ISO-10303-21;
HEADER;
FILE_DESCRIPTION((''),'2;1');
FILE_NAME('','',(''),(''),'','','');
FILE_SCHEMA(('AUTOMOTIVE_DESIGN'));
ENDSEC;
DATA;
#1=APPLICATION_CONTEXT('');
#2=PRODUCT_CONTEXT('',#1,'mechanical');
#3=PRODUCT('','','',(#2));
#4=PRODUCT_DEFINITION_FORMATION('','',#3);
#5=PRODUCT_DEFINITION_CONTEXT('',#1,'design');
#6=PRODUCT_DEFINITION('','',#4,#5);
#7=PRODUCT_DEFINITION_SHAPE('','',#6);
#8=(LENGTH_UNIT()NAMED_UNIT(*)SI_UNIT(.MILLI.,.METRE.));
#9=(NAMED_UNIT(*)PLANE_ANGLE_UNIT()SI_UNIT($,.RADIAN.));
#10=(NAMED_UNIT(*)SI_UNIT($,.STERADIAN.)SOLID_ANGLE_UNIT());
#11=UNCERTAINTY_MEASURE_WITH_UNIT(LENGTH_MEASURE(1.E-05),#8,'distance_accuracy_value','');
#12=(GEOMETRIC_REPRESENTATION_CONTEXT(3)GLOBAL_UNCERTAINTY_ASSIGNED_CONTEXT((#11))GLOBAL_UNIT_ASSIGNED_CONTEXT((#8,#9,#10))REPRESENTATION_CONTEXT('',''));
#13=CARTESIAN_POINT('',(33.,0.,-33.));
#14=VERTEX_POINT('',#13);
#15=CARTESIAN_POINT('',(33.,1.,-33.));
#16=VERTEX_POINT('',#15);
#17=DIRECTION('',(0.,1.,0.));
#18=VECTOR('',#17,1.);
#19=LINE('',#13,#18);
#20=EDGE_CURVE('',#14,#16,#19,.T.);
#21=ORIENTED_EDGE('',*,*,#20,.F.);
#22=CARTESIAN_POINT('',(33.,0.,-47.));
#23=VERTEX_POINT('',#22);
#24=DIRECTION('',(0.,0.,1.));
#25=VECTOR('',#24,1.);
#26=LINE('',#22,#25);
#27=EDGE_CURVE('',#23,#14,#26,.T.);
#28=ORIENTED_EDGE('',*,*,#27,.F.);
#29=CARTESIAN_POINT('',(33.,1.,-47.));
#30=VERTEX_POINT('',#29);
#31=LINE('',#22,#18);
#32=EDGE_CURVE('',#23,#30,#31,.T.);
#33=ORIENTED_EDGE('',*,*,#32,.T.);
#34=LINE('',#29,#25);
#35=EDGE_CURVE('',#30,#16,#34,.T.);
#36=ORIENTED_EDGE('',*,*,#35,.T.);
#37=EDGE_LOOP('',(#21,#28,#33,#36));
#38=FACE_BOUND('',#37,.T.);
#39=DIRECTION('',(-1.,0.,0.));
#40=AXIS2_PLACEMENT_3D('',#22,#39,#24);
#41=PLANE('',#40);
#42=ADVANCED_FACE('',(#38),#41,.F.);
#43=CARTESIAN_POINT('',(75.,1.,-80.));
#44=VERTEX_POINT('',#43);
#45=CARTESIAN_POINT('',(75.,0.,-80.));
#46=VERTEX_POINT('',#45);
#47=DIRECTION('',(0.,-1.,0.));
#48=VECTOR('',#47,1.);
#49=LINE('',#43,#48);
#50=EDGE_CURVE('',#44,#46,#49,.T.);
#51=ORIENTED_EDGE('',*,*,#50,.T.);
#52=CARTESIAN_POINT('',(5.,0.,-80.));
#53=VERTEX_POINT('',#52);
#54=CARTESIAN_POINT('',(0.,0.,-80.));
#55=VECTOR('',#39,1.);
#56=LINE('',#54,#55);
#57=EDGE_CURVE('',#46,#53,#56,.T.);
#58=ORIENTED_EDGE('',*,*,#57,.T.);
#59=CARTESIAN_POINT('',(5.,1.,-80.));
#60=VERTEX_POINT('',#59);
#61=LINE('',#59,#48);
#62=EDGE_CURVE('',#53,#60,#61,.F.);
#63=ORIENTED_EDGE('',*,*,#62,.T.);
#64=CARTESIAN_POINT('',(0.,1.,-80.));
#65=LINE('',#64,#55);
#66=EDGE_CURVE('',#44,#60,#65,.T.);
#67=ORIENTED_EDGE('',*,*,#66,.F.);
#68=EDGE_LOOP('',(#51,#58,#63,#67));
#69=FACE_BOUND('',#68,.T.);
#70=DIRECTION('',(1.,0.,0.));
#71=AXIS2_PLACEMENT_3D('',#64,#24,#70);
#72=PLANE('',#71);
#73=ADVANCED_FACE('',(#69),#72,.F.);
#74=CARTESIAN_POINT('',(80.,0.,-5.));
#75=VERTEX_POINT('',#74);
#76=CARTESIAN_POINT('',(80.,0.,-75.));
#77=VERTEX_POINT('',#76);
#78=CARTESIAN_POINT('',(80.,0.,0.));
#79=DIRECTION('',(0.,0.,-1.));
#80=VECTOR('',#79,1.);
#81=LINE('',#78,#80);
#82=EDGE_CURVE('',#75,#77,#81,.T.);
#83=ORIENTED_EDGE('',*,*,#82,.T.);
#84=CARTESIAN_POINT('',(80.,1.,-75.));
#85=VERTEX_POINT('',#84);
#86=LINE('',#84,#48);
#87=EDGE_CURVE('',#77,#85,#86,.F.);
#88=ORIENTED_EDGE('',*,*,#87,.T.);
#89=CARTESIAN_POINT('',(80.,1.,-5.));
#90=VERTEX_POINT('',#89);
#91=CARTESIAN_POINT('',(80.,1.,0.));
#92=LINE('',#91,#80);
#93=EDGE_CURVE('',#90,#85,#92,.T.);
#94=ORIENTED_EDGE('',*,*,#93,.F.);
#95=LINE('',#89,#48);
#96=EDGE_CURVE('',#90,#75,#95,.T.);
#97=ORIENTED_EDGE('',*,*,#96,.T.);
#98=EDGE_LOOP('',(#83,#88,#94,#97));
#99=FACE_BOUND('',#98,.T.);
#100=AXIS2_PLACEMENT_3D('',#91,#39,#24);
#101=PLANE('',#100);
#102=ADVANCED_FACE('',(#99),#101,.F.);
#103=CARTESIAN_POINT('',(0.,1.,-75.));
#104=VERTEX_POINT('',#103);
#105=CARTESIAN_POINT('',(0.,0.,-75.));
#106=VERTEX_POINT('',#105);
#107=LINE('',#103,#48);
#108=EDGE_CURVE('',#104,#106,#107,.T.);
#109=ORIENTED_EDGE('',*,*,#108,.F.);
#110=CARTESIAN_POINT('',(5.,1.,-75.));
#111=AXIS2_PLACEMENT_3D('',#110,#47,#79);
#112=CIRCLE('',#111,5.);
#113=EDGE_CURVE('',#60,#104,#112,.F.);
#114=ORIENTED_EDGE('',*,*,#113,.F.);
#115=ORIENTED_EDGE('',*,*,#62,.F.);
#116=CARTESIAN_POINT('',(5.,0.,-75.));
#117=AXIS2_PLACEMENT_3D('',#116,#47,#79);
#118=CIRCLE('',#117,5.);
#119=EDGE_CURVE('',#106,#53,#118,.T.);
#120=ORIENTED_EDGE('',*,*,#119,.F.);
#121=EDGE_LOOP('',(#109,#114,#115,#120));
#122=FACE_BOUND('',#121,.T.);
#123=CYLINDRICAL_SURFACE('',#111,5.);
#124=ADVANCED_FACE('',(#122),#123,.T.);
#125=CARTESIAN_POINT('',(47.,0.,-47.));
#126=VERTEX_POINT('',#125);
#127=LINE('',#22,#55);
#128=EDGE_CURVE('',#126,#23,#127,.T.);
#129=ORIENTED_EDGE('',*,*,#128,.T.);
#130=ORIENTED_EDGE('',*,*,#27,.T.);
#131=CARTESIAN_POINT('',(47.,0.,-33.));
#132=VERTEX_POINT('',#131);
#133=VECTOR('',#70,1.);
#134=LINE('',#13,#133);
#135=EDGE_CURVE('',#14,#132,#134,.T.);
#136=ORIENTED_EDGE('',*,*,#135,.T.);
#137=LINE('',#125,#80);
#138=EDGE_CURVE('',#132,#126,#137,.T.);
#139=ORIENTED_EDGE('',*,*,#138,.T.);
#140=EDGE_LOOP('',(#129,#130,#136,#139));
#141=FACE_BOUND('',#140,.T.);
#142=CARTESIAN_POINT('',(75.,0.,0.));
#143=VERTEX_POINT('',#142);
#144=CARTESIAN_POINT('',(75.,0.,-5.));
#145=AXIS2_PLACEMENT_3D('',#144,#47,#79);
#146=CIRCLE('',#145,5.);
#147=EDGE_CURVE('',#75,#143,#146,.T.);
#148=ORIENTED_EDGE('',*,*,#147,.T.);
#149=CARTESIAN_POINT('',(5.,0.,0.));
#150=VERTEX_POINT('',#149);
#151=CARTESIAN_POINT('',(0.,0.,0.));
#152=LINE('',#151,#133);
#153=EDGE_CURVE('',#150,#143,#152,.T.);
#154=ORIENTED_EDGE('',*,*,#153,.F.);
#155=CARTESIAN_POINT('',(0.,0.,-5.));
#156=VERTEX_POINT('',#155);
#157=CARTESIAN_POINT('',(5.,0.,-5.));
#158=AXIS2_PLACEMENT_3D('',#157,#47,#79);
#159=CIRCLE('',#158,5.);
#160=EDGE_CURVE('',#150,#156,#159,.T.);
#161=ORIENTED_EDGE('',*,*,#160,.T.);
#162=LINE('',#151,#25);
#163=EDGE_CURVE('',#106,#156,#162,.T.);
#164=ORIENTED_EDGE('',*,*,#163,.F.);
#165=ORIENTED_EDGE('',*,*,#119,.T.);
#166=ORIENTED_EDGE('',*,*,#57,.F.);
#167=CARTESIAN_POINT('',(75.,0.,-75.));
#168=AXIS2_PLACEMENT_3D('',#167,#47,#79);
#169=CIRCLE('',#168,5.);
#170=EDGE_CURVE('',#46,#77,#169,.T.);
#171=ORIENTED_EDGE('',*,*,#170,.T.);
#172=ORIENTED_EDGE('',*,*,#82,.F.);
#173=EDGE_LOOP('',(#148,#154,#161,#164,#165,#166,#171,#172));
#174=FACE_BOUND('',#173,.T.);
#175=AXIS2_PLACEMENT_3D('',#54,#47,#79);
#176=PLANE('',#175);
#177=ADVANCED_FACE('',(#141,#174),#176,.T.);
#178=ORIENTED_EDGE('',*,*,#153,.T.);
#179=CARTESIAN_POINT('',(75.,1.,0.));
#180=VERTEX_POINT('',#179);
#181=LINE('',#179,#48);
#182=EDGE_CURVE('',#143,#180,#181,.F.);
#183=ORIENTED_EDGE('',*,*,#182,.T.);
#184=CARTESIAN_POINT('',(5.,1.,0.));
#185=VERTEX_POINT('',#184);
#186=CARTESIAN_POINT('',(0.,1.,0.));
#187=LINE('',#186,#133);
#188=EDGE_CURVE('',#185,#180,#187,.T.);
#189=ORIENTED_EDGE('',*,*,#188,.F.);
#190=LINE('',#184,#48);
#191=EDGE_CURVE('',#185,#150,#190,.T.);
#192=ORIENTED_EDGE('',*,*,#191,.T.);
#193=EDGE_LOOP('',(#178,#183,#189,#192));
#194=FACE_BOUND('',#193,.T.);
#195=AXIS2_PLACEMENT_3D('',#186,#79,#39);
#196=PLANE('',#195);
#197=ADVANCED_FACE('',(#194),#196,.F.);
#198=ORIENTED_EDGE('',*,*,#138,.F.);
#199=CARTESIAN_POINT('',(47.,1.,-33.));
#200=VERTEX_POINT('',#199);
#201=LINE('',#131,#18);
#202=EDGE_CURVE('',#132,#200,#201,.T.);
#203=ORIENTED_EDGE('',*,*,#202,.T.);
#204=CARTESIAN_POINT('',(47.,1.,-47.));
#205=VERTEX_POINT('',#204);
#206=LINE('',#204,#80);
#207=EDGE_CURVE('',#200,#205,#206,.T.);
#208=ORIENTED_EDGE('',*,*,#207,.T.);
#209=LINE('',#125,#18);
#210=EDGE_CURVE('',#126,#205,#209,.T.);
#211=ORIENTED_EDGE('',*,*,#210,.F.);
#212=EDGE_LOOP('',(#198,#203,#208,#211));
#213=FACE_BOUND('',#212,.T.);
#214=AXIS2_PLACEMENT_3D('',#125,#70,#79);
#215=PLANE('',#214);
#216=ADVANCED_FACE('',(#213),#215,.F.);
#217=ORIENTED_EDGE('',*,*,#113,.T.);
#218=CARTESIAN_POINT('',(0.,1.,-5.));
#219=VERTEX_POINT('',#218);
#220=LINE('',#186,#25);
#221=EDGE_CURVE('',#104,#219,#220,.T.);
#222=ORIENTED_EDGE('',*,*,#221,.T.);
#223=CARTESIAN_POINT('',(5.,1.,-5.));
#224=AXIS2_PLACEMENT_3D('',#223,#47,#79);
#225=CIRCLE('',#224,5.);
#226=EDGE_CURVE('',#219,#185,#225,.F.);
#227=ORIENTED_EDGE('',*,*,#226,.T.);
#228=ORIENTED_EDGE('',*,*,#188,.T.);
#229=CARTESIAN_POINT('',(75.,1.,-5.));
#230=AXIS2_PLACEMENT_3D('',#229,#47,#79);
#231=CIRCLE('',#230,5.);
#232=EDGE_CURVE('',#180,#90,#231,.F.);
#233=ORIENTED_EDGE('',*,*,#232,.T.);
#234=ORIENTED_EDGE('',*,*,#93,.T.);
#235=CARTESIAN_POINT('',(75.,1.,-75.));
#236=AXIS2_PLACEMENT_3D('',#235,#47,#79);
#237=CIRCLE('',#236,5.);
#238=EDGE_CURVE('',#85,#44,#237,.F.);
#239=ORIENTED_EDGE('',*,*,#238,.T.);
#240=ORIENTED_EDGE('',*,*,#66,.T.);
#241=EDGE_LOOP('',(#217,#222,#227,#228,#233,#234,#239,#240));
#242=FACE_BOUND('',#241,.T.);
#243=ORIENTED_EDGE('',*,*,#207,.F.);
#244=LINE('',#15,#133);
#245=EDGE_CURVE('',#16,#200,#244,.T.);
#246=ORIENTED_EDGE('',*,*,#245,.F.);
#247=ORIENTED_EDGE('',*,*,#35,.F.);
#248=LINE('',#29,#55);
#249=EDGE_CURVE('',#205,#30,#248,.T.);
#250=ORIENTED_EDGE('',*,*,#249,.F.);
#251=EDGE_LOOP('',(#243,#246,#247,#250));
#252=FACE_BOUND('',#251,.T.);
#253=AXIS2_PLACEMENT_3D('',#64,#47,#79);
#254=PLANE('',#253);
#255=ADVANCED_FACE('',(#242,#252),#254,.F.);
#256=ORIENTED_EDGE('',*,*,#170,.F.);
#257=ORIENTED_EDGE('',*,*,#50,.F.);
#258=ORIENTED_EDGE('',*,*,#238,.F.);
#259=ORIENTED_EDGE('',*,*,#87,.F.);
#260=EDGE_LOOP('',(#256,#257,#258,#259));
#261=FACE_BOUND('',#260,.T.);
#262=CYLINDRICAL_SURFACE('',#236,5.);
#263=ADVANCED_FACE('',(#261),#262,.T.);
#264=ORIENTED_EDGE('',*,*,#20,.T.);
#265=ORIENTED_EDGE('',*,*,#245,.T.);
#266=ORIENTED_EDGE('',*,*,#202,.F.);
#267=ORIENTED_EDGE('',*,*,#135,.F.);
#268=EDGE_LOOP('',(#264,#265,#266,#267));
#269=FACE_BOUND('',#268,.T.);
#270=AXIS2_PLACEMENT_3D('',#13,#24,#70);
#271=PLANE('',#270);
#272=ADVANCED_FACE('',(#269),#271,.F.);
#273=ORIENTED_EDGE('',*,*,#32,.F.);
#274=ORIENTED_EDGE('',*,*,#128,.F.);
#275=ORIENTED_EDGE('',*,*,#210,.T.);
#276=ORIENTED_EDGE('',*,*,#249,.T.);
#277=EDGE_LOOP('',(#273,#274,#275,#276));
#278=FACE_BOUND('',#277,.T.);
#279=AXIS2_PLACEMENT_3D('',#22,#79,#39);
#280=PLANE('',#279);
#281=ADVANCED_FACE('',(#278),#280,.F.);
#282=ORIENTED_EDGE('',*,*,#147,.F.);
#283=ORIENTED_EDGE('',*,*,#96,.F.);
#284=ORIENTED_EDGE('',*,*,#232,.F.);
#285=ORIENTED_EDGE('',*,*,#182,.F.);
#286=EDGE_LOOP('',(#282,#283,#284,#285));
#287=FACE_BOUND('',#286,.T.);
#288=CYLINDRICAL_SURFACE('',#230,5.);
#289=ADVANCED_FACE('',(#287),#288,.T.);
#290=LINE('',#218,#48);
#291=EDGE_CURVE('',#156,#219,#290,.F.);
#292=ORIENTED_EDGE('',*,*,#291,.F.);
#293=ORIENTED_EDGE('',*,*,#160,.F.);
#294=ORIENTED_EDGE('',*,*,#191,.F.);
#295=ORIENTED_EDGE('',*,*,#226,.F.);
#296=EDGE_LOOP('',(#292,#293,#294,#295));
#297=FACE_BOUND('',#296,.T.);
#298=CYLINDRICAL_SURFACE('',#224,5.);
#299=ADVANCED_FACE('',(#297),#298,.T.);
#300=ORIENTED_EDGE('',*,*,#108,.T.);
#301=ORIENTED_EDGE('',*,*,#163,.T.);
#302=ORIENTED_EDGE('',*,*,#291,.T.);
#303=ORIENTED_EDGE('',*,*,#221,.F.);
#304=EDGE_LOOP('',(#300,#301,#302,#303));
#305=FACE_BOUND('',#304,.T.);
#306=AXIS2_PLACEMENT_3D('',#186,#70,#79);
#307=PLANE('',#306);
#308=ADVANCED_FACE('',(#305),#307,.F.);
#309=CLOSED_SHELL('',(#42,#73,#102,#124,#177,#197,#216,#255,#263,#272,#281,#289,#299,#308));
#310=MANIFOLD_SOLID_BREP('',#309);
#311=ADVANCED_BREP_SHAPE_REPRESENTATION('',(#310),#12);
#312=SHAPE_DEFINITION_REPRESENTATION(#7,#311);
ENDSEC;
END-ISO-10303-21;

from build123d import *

# Parameters (mm, degrees)
ESQUISSE1_W             = 80
ESQUISSE1_H             = 80
EXTRUSION1_DEPTH        = 1
CONG_1_R                = 5
ESQUISSE2_W             = 14
ESQUISSE2_H             = 14
ENL_V_MAT_EXTRU_1_DEPTH = 2


with BuildPart() as part:
    # Esquisse1 → Extrusion1 (new body)
    with BuildSketch(Plane(origin=(0, 0, 0), x_dir=(1, 0, 0), z_dir=(0, 1, 0))):
        with Locations((40, 40)):
            Rectangle(ESQUISSE1_W, ESQUISSE1_H)
    extrude(amount=EXTRUSION1_DEPTH)

    # Congé1
    cong_1_edges = [part.edges().sort_by_distance(p)[0] for p in [
        (0, 0.5, -80),
        (80, 0.5, -80),
        (80, 0.5, 0),
        (0, 0.5, 0),
    ]]
    fillet(cong_1_edges, radius=CONG_1_R)

    # Esquisse2 → Enlèv. mat.-Extru.1 (cut, through all)
    with BuildSketch(Plane(origin=(0, 1, 0), x_dir=(1, 0, 0), z_dir=(0, 1, 0))):
        with Locations((40, 40)):
            Rectangle(ESQUISSE2_W, ESQUISSE2_H)
    extrude(amount=-ENL_V_MAT_EXTRU_1_DEPTH, mode=Mode.SUBTRACT)


solid = part.part
